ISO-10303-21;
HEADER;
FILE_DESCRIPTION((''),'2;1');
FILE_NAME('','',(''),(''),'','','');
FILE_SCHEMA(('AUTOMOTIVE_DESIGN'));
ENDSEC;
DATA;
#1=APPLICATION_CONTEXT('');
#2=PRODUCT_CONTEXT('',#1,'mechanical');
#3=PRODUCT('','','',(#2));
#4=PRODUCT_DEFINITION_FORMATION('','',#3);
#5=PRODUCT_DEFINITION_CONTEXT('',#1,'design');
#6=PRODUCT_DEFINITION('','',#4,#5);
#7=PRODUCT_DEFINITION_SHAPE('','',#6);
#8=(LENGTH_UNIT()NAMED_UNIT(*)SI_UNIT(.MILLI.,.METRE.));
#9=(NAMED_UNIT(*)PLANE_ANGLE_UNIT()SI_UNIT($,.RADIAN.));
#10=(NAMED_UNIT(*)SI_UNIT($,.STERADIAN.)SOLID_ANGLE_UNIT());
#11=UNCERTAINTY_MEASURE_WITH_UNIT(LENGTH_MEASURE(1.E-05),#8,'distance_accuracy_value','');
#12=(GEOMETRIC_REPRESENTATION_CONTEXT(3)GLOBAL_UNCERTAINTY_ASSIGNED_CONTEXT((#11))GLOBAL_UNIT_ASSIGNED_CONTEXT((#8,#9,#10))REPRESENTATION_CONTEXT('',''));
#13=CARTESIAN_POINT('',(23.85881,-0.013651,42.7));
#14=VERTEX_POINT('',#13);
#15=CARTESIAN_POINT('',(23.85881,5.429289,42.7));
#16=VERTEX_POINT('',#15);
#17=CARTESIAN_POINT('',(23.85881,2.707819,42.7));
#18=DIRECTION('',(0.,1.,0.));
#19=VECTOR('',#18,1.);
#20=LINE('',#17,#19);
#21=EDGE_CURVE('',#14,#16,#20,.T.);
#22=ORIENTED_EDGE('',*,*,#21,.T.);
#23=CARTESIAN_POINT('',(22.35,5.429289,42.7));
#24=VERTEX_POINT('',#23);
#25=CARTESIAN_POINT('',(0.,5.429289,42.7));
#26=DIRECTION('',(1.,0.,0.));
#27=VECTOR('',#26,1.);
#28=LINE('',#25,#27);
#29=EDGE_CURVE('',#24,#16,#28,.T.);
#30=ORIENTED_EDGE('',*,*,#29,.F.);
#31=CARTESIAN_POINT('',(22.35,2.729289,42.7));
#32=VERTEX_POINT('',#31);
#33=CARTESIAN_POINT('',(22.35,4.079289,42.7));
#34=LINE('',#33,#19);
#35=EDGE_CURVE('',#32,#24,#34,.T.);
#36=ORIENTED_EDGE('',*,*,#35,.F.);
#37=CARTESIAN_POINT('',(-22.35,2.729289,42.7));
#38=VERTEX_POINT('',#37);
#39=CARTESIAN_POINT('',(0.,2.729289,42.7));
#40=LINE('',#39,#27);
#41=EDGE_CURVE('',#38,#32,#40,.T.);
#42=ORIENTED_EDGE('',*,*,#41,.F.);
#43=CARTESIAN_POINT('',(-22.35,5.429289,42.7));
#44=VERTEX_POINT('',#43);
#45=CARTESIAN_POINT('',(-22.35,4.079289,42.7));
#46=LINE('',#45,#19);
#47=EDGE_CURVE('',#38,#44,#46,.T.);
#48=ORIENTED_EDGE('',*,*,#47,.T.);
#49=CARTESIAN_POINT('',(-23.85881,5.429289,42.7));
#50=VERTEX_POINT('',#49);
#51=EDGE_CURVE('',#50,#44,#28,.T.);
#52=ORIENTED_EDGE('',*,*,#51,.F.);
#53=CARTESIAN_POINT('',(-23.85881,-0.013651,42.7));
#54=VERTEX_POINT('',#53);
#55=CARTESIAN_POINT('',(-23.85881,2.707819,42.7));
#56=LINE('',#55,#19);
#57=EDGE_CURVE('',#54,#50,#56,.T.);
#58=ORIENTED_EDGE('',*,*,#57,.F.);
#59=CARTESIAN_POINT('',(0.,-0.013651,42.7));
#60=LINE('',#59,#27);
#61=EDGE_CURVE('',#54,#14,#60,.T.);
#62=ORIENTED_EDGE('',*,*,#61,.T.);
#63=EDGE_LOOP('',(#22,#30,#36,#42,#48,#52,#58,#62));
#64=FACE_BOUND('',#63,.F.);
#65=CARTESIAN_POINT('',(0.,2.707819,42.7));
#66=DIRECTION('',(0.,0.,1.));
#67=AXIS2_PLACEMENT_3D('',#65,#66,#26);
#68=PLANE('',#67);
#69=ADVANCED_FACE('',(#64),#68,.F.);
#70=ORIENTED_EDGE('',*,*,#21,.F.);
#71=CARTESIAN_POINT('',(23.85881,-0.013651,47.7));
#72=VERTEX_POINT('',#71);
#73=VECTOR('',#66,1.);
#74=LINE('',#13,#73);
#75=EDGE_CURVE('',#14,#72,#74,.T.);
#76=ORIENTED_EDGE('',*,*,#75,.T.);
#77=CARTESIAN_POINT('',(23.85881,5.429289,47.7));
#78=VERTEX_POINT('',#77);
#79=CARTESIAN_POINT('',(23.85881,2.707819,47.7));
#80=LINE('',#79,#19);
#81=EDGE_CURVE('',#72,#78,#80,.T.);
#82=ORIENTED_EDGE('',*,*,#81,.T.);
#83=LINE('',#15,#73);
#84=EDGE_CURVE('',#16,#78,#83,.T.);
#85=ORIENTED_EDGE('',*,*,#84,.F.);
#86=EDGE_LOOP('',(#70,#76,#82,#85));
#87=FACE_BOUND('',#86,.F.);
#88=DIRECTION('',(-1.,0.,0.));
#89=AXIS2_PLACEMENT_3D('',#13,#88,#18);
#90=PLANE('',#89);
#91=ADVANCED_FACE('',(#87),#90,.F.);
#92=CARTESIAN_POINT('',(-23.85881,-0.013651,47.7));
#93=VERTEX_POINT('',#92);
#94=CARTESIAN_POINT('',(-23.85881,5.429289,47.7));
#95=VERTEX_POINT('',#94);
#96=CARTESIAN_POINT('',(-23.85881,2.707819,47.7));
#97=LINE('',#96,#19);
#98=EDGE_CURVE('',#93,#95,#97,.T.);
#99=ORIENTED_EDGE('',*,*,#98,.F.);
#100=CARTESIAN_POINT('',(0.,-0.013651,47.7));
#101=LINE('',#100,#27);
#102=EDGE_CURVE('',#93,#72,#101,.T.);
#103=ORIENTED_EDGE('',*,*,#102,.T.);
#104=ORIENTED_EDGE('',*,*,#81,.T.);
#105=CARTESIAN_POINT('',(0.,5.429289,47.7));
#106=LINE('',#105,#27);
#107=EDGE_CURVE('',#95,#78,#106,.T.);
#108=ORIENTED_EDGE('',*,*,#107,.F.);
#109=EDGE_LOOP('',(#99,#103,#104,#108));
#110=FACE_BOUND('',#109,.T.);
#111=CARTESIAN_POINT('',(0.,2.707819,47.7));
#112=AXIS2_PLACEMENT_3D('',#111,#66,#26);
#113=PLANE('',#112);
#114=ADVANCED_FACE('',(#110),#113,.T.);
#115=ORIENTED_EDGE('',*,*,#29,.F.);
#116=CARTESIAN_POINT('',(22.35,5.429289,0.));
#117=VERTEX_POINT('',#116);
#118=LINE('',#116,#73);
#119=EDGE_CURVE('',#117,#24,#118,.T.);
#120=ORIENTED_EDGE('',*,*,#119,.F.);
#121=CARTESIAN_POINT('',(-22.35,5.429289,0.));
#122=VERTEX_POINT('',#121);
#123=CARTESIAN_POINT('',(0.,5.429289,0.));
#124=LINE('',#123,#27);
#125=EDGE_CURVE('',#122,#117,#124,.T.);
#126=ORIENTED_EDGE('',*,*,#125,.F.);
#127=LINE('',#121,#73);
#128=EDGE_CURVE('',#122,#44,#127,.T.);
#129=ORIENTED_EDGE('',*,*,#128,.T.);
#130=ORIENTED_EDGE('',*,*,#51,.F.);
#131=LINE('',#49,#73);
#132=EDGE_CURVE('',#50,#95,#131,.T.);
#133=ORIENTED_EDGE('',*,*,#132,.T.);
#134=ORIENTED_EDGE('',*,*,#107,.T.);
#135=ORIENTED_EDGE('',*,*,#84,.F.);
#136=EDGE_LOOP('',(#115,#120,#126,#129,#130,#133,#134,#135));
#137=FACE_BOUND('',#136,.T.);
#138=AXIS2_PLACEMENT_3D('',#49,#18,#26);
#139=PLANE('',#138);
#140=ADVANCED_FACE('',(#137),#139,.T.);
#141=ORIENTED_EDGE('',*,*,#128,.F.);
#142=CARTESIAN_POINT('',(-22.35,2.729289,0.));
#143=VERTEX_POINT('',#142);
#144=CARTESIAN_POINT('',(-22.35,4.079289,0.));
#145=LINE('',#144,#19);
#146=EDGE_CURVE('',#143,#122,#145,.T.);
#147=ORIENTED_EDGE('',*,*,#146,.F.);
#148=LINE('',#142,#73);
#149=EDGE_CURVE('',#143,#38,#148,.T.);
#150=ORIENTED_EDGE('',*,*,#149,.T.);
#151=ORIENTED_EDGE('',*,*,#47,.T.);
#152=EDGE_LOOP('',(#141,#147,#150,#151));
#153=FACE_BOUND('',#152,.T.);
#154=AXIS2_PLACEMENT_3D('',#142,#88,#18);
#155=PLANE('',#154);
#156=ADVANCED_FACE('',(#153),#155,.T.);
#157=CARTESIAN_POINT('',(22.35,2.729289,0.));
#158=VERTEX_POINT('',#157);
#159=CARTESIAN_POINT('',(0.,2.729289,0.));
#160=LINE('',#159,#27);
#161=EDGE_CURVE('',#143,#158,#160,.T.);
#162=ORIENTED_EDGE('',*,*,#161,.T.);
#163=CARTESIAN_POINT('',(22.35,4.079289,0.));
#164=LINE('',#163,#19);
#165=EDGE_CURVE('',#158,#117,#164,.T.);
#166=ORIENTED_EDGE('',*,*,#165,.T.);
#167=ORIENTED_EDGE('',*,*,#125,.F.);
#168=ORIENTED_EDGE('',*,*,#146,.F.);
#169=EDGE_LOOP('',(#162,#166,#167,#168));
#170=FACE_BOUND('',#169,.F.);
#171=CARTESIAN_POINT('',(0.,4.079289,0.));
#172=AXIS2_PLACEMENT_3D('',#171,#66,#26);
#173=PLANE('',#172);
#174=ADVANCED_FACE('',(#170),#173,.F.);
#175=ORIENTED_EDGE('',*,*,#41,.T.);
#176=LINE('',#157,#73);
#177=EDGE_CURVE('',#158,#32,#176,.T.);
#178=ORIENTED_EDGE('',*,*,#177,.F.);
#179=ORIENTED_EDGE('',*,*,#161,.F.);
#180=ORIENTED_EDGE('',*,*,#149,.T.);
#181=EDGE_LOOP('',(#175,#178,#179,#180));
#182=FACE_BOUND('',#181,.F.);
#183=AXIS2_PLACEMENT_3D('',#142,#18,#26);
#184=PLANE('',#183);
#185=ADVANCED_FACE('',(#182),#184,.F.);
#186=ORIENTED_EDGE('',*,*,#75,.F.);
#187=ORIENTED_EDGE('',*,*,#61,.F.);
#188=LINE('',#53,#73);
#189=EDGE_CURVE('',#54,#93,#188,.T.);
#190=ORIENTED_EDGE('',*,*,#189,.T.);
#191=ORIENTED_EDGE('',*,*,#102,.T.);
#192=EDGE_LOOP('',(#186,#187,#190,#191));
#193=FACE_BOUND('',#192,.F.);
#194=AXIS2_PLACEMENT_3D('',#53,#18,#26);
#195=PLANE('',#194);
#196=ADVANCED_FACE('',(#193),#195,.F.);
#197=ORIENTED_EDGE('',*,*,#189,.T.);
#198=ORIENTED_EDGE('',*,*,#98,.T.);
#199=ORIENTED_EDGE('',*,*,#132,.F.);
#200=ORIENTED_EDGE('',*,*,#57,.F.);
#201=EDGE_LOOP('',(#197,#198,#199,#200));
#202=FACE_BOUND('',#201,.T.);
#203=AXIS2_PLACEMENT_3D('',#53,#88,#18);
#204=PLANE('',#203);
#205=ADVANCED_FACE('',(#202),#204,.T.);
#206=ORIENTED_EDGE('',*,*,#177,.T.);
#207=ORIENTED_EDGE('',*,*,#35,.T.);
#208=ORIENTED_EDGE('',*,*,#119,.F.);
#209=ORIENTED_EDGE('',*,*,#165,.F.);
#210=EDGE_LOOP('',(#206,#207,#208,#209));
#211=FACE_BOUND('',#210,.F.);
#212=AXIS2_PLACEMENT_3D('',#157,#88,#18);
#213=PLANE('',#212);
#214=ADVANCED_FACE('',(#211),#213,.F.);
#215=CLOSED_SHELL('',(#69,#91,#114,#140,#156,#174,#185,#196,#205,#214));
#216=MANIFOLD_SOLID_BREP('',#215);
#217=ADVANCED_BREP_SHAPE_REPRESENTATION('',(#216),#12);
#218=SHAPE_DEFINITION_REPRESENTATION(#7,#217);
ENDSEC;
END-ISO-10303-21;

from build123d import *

# Parameters (mm, degrees)
SKETCH003_W  = 44.7
SKETCH003_H  = 2.7
PAD_DEPTH    = 42.7
SKETCH_W     = 47.71762
SKETCH_H     = 5.44294
PAD001_DEPTH = 5


with BuildPart() as part:
    # Sketch003 → Pad (new body)
    with BuildSketch(Plane.XY):
        with Locations((0, 4.079289)):
            Rectangle(SKETCH003_W, SKETCH003_H)
    extrude(amount=PAD_DEPTH)

    # Sketch → Pad001 (new body)
    with BuildSketch(Plane.XY.offset(42.7)):
        with Locations((0, 2.707819)):
            Rectangle(SKETCH_W, SKETCH_H)
    extrude(amount=PAD001_DEPTH)


solid = part.part
